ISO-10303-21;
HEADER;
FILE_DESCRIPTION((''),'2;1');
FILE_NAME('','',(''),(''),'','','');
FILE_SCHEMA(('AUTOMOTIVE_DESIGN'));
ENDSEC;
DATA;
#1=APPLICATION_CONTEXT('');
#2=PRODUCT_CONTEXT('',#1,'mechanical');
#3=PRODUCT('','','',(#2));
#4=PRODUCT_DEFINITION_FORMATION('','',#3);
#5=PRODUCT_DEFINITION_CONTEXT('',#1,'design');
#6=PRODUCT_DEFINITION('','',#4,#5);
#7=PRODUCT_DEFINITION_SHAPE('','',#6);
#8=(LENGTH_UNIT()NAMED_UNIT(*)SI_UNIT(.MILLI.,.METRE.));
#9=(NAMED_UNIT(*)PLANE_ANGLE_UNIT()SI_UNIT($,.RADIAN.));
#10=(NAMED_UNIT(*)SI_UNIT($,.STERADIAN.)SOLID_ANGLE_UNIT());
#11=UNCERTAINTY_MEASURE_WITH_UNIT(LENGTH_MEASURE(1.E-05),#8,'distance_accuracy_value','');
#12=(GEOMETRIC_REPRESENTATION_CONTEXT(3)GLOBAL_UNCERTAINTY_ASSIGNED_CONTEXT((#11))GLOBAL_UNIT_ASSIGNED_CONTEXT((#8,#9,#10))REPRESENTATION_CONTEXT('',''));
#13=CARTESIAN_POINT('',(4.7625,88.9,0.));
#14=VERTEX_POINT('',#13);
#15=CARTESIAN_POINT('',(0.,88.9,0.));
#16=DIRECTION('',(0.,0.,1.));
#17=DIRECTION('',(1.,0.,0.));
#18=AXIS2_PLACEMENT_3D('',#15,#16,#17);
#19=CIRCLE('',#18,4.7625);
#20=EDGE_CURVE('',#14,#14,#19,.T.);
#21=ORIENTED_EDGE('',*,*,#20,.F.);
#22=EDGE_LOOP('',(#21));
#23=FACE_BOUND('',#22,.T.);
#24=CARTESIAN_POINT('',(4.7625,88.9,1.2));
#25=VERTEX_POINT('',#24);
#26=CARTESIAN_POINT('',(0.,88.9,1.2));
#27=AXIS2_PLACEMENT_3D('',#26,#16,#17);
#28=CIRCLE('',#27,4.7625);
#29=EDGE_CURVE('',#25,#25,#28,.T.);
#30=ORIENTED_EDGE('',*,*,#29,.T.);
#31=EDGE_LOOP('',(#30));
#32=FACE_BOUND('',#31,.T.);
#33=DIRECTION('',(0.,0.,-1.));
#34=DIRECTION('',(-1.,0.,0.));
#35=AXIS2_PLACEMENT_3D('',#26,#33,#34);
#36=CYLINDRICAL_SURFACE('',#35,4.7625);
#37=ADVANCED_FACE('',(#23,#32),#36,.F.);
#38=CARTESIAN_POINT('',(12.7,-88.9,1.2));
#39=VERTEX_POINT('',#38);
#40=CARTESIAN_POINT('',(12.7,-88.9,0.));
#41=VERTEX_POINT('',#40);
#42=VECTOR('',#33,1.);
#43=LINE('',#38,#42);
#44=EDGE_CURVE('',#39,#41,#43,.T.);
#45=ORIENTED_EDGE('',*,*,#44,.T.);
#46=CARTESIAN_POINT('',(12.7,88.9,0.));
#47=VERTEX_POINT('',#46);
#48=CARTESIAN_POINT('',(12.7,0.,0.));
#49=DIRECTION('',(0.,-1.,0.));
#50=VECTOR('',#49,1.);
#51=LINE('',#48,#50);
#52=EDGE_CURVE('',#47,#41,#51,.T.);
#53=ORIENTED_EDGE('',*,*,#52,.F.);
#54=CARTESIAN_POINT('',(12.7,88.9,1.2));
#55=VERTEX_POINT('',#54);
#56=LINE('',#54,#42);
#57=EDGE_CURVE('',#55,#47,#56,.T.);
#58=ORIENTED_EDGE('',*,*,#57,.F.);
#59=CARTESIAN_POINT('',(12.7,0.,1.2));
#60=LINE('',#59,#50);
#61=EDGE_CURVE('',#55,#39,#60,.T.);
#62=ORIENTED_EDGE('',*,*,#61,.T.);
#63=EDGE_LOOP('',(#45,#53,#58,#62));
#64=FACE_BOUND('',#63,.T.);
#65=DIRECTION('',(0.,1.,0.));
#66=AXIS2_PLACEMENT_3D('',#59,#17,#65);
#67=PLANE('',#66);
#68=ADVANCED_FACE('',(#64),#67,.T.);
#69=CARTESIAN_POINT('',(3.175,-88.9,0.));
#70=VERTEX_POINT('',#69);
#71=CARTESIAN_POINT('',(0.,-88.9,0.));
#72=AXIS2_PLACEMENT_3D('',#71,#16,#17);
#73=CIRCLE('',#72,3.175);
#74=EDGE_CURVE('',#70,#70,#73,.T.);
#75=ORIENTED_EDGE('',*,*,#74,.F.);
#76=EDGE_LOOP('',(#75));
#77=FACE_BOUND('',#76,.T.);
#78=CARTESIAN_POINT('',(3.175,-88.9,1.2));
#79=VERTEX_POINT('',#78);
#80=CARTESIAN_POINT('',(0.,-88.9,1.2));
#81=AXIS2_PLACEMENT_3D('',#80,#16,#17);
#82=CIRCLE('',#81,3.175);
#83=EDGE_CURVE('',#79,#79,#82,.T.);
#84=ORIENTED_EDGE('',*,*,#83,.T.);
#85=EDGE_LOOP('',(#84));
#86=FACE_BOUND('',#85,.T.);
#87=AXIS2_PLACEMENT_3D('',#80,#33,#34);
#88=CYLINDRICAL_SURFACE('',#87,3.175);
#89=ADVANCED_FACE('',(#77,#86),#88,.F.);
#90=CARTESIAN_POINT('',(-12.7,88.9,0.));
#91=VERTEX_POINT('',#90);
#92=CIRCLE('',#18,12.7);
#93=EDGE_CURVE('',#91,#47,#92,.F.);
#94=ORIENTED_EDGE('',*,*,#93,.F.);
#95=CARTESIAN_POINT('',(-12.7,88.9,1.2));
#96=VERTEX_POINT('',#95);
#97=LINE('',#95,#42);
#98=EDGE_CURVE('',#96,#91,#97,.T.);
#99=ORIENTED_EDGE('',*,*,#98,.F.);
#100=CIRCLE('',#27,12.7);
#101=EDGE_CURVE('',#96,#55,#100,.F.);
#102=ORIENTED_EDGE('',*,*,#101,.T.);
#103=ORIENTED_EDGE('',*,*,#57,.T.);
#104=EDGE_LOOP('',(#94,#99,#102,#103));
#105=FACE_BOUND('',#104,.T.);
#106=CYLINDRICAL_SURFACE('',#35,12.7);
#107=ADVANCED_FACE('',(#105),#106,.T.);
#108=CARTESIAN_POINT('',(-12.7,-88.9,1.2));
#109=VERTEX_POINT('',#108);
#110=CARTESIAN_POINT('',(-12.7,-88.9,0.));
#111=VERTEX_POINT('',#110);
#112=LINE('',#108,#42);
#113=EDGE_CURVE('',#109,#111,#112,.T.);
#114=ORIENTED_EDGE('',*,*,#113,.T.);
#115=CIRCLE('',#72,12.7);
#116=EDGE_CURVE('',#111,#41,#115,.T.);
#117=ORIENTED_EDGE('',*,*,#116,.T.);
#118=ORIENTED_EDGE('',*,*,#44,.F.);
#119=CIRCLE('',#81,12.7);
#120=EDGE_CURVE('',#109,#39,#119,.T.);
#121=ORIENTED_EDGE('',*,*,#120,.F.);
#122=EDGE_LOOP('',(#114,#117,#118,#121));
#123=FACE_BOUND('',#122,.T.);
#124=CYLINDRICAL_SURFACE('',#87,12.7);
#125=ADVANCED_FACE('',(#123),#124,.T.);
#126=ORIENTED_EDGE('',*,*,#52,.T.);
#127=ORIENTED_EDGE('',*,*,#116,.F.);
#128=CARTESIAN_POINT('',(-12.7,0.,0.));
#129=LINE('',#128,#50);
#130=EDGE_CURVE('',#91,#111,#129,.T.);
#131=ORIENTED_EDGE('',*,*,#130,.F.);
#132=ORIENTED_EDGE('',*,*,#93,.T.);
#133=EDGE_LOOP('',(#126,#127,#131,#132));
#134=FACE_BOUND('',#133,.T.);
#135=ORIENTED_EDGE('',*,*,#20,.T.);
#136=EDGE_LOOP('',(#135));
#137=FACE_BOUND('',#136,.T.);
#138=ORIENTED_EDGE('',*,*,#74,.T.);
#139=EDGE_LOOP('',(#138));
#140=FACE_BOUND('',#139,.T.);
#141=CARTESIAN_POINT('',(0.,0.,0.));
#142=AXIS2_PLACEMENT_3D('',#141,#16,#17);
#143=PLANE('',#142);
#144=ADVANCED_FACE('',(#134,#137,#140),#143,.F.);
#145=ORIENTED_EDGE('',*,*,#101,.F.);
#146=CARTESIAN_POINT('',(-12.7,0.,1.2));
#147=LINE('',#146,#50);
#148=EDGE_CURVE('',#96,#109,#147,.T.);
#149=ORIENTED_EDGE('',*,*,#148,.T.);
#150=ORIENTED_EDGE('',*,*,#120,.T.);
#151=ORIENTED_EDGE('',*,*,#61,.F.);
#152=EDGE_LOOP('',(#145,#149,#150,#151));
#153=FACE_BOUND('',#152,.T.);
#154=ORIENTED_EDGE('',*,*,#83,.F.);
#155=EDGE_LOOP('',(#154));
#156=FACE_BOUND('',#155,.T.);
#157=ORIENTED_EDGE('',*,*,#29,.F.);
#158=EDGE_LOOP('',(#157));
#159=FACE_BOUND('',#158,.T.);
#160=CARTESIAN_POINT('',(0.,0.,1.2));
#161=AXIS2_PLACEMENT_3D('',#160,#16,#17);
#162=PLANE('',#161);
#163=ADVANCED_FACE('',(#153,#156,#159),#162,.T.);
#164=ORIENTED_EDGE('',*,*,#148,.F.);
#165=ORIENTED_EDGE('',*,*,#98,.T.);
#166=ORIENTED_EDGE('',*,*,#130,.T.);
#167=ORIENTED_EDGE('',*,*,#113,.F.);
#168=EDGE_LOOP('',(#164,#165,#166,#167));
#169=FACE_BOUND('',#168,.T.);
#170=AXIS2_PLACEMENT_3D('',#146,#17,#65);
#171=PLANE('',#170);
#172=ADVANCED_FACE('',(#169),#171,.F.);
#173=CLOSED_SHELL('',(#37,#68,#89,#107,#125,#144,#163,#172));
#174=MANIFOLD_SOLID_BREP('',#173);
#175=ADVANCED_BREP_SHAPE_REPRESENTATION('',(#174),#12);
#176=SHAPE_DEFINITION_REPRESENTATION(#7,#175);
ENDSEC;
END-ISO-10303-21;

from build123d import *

# Parameters (mm, degrees)
SKETCH1_R           = 4.7625
SKETCH1_R_2         = 3.175
BOSS_EXTRUDE1_DEPTH = 1.2


with BuildPart() as part:
    # Sketch1 → Boss-Extrude1 (new body)
    with BuildSketch(Plane.XY):
        with BuildLine():
            Line((-12.7, 88.9), (-12.7, -88.9))
            ThreePointArc((-12.7, -88.9), (0, -101.6), (12.7, -88.9))
            Line((12.7, -88.9), (12.7, 88.9))
            ThreePointArc((12.7, 88.9), (0, 101.6), (-12.7, 88.9))
        make_face()
        with Locations((0, 88.9)):
            Circle(SKETCH1_R, mode=Mode.SUBTRACT)
        with Locations((0, -88.9)):
            Circle(SKETCH1_R_2, mode=Mode.SUBTRACT)
    extrude(amount=BOSS_EXTRUDE1_DEPTH)


solid = part.part
